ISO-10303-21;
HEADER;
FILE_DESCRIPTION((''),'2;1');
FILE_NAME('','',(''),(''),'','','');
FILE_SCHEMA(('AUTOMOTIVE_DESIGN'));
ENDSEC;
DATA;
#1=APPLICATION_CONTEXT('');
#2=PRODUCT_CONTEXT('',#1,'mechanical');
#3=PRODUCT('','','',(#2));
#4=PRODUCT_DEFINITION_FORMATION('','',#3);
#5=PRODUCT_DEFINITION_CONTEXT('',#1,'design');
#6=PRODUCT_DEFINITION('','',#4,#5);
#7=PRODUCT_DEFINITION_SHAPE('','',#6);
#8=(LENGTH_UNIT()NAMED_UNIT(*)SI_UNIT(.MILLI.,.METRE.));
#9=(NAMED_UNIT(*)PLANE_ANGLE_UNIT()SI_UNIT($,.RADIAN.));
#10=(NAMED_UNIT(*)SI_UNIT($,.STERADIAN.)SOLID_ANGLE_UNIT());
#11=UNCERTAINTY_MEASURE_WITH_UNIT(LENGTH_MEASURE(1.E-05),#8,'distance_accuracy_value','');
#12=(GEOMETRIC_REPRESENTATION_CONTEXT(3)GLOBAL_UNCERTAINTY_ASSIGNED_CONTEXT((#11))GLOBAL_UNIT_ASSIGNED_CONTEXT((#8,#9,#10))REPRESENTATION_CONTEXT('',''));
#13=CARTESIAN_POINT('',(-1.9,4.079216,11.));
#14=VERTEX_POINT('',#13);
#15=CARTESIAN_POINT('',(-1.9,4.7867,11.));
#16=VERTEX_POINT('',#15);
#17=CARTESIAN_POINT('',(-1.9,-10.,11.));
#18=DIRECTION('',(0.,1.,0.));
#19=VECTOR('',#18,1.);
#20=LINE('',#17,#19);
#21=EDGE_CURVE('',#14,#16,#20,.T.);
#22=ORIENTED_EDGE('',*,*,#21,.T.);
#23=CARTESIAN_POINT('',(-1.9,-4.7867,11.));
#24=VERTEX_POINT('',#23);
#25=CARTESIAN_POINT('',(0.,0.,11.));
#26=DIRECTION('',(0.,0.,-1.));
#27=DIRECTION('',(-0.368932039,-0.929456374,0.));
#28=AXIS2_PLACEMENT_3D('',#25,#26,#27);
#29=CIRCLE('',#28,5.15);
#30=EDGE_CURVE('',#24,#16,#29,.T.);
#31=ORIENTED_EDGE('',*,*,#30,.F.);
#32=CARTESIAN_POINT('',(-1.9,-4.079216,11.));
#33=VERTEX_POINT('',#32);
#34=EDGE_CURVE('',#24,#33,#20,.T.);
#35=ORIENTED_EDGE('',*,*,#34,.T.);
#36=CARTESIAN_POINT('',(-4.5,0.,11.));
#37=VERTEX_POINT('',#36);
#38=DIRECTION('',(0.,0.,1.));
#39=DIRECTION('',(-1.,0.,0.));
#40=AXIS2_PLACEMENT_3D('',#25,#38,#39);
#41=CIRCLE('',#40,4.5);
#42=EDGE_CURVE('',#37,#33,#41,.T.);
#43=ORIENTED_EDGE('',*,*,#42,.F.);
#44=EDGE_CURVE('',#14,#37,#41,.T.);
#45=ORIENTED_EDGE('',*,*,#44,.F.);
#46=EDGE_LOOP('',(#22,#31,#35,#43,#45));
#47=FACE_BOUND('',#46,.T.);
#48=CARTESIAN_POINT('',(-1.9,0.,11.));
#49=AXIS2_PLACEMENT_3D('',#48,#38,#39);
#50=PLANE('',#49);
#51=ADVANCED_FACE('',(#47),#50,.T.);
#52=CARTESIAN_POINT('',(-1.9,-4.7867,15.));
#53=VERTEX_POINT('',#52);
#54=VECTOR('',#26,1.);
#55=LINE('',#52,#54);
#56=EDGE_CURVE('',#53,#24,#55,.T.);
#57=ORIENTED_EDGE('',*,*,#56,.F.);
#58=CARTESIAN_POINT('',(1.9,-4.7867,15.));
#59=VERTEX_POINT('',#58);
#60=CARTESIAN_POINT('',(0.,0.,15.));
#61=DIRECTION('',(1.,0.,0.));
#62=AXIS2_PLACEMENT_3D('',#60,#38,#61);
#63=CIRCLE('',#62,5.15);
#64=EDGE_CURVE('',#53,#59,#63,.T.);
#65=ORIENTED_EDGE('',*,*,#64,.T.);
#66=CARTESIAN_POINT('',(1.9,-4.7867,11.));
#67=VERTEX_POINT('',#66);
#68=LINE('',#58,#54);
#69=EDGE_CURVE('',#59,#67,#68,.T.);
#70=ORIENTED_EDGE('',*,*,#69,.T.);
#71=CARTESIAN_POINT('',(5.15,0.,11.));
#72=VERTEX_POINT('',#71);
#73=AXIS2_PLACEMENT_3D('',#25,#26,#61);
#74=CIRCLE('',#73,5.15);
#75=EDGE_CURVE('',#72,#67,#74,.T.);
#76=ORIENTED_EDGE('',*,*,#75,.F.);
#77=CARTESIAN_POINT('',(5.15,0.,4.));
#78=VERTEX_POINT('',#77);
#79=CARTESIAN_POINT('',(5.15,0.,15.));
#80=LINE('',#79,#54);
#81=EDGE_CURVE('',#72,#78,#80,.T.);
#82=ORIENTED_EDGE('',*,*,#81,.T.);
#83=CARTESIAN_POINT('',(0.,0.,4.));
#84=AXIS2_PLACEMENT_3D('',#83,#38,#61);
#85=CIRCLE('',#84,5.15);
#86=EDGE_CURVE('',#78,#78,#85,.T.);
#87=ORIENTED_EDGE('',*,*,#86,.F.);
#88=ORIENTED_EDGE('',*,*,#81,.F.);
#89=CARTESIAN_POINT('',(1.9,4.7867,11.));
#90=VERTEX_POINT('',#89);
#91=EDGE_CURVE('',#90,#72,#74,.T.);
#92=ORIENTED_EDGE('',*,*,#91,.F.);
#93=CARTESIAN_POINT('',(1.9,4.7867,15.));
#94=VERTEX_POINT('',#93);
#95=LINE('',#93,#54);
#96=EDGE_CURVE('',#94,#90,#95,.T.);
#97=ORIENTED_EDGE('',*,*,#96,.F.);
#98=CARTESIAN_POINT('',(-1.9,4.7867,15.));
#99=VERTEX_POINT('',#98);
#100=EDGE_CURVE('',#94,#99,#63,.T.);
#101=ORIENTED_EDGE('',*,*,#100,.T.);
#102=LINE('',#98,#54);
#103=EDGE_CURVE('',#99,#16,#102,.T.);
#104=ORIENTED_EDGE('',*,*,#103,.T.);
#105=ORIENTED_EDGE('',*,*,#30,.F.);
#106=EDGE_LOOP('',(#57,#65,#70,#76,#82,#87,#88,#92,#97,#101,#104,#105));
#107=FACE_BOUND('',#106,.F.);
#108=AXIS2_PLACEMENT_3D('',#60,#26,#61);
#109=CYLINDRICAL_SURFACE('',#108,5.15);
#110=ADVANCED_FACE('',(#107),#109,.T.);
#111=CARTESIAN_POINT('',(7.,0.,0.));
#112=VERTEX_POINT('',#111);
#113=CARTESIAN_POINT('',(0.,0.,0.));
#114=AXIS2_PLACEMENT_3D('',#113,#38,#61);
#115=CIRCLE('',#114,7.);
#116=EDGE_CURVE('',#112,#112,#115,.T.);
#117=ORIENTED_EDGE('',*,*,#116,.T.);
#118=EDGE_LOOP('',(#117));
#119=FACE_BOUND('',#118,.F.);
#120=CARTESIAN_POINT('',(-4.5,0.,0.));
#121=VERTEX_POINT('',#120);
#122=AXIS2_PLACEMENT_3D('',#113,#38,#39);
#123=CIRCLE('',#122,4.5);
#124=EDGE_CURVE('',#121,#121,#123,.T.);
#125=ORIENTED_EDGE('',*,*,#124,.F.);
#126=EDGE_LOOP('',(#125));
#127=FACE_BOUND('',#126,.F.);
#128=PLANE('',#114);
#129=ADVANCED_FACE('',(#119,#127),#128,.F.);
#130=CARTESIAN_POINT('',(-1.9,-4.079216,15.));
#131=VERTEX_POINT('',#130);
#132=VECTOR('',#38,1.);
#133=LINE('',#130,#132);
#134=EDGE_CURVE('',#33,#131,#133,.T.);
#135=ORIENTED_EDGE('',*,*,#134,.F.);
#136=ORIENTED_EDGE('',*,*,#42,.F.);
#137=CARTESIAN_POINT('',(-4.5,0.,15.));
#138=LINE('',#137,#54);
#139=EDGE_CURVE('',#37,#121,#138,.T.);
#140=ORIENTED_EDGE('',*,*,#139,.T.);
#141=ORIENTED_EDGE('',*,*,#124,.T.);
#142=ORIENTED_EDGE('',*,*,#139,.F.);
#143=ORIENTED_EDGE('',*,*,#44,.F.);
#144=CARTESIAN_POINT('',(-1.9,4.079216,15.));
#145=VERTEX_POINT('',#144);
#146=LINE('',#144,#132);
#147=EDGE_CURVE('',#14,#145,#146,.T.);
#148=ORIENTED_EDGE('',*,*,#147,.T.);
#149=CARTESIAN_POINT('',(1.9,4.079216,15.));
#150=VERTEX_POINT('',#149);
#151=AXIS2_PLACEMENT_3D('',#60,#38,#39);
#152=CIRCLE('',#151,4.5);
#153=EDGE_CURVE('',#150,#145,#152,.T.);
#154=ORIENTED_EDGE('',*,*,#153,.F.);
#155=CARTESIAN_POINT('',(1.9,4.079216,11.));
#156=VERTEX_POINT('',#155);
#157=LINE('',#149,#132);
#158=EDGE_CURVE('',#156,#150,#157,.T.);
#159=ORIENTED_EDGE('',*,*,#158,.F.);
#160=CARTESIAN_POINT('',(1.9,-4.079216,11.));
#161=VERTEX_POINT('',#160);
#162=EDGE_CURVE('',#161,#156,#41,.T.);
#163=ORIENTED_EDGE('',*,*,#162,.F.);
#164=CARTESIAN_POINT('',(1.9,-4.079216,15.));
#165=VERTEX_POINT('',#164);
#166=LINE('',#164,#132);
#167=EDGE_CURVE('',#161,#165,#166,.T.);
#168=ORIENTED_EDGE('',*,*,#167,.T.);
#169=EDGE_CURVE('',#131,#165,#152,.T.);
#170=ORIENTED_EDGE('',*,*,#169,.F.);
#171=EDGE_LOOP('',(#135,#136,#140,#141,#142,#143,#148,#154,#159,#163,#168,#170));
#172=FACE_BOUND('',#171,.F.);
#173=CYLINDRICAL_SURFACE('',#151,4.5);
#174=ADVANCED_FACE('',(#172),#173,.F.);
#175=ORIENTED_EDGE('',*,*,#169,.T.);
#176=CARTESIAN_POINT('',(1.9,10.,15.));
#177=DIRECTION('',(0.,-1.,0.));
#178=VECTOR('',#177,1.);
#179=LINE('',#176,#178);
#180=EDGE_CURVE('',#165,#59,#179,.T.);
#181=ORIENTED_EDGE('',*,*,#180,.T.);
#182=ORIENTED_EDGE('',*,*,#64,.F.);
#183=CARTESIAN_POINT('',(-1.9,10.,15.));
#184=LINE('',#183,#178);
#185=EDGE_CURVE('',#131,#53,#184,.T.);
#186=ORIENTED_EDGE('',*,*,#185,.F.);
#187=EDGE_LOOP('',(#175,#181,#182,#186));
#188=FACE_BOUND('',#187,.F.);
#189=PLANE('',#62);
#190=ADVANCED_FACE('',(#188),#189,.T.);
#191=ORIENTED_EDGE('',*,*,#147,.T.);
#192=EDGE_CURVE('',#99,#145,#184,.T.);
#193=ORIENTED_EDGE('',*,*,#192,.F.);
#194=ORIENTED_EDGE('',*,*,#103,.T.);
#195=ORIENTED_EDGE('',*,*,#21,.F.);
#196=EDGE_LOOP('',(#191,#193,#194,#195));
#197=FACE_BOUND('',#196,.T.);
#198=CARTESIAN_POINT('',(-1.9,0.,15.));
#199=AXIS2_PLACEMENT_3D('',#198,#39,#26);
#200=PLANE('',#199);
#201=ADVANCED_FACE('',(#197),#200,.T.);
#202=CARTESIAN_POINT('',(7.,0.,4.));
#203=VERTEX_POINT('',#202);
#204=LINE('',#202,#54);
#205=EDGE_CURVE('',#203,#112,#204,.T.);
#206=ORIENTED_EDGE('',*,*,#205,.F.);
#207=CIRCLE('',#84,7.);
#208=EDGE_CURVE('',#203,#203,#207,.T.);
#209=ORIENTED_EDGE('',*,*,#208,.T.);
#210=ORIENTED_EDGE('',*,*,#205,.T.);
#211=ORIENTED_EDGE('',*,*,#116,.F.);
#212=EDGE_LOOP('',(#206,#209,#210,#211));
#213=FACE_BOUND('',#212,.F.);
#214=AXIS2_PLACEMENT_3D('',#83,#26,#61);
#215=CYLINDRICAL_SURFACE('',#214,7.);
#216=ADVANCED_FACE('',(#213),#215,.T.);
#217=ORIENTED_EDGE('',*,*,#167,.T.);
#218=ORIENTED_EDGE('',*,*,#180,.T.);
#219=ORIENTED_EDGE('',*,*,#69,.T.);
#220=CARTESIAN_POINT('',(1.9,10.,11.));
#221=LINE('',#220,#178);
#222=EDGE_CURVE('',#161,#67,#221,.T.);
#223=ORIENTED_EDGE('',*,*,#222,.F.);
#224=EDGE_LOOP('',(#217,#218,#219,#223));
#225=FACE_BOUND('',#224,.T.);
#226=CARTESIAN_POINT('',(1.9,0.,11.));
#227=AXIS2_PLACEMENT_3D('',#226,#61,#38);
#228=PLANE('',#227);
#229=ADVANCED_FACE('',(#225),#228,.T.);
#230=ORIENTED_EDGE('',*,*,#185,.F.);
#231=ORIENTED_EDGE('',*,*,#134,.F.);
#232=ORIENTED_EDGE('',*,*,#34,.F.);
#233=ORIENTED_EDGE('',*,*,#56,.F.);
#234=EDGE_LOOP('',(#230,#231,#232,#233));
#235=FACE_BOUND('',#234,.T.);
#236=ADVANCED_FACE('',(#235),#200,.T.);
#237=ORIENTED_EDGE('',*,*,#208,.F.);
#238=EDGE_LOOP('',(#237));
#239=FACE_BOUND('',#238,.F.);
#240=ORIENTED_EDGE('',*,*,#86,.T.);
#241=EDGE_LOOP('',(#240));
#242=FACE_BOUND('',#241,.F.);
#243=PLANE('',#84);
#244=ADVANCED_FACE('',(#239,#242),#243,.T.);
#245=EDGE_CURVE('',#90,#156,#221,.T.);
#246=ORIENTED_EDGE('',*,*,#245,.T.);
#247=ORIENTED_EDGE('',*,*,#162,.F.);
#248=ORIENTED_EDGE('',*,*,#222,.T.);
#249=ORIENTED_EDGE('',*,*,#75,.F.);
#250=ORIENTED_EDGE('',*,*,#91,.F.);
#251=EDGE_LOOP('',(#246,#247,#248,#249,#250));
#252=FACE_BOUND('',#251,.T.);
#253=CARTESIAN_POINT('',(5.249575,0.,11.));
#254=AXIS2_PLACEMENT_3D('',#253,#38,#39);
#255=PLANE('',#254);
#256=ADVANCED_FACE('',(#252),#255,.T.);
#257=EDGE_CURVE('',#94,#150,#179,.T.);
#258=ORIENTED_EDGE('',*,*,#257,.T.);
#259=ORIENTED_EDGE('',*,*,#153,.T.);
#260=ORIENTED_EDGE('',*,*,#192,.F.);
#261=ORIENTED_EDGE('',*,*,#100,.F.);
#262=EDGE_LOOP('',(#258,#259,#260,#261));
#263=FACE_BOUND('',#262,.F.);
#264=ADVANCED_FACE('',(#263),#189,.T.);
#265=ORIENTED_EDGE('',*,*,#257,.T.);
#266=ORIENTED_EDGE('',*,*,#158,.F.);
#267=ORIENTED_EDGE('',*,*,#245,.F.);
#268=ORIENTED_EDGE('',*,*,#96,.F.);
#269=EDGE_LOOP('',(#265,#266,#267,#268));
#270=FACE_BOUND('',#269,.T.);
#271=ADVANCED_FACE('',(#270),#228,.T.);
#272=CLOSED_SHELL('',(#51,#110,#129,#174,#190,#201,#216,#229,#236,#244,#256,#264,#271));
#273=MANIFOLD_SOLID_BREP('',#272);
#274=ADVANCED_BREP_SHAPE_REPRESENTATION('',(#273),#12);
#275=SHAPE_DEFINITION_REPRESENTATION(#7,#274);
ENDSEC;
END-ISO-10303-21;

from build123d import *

# Parameters (mm, degrees)
SKETCH001_R  = 4.5
HOLE_DEPTH   = 25
POCKET_DEPTH = 10


with BuildPart() as part:
    # Sketch → Revolution (revolve)
    with BuildSketch(Plane.XZ):
        Polygon((0, 0), (0, 15), (5.15, 15), (5.15, 4), (7, 4), (7, 0), align=None)
    revolve(axis=Axis((0, 0, 0), (0, 0, 1)))

    # Sketch001 (on Face1 of Revolution) → Hole (cut)
    with BuildSketch(Plane(origin=(0, 0, 15), x_dir=(-1, 0, 0), z_dir=(0, 0, 1))):
        Circle(SKETCH001_R)
    extrude(amount=-HOLE_DEPTH, mode=Mode.SUBTRACT)

    # Sketch002 → Pocket (cut, symmetric)
    with BuildSketch(Plane.XZ):
        Polygon((-1.9, 15), (-1.9, 11), (-5.15, 11), (-5.15, 15), (-5.15, 18.504541), (5.249575, 18.504541), (5.249575, 15), (5.249575, 11), (1.9, 11), (1.9, 15), align=None)
    extrude(amount=POCKET_DEPTH, both=True, mode=Mode.SUBTRACT)


solid = part.part
